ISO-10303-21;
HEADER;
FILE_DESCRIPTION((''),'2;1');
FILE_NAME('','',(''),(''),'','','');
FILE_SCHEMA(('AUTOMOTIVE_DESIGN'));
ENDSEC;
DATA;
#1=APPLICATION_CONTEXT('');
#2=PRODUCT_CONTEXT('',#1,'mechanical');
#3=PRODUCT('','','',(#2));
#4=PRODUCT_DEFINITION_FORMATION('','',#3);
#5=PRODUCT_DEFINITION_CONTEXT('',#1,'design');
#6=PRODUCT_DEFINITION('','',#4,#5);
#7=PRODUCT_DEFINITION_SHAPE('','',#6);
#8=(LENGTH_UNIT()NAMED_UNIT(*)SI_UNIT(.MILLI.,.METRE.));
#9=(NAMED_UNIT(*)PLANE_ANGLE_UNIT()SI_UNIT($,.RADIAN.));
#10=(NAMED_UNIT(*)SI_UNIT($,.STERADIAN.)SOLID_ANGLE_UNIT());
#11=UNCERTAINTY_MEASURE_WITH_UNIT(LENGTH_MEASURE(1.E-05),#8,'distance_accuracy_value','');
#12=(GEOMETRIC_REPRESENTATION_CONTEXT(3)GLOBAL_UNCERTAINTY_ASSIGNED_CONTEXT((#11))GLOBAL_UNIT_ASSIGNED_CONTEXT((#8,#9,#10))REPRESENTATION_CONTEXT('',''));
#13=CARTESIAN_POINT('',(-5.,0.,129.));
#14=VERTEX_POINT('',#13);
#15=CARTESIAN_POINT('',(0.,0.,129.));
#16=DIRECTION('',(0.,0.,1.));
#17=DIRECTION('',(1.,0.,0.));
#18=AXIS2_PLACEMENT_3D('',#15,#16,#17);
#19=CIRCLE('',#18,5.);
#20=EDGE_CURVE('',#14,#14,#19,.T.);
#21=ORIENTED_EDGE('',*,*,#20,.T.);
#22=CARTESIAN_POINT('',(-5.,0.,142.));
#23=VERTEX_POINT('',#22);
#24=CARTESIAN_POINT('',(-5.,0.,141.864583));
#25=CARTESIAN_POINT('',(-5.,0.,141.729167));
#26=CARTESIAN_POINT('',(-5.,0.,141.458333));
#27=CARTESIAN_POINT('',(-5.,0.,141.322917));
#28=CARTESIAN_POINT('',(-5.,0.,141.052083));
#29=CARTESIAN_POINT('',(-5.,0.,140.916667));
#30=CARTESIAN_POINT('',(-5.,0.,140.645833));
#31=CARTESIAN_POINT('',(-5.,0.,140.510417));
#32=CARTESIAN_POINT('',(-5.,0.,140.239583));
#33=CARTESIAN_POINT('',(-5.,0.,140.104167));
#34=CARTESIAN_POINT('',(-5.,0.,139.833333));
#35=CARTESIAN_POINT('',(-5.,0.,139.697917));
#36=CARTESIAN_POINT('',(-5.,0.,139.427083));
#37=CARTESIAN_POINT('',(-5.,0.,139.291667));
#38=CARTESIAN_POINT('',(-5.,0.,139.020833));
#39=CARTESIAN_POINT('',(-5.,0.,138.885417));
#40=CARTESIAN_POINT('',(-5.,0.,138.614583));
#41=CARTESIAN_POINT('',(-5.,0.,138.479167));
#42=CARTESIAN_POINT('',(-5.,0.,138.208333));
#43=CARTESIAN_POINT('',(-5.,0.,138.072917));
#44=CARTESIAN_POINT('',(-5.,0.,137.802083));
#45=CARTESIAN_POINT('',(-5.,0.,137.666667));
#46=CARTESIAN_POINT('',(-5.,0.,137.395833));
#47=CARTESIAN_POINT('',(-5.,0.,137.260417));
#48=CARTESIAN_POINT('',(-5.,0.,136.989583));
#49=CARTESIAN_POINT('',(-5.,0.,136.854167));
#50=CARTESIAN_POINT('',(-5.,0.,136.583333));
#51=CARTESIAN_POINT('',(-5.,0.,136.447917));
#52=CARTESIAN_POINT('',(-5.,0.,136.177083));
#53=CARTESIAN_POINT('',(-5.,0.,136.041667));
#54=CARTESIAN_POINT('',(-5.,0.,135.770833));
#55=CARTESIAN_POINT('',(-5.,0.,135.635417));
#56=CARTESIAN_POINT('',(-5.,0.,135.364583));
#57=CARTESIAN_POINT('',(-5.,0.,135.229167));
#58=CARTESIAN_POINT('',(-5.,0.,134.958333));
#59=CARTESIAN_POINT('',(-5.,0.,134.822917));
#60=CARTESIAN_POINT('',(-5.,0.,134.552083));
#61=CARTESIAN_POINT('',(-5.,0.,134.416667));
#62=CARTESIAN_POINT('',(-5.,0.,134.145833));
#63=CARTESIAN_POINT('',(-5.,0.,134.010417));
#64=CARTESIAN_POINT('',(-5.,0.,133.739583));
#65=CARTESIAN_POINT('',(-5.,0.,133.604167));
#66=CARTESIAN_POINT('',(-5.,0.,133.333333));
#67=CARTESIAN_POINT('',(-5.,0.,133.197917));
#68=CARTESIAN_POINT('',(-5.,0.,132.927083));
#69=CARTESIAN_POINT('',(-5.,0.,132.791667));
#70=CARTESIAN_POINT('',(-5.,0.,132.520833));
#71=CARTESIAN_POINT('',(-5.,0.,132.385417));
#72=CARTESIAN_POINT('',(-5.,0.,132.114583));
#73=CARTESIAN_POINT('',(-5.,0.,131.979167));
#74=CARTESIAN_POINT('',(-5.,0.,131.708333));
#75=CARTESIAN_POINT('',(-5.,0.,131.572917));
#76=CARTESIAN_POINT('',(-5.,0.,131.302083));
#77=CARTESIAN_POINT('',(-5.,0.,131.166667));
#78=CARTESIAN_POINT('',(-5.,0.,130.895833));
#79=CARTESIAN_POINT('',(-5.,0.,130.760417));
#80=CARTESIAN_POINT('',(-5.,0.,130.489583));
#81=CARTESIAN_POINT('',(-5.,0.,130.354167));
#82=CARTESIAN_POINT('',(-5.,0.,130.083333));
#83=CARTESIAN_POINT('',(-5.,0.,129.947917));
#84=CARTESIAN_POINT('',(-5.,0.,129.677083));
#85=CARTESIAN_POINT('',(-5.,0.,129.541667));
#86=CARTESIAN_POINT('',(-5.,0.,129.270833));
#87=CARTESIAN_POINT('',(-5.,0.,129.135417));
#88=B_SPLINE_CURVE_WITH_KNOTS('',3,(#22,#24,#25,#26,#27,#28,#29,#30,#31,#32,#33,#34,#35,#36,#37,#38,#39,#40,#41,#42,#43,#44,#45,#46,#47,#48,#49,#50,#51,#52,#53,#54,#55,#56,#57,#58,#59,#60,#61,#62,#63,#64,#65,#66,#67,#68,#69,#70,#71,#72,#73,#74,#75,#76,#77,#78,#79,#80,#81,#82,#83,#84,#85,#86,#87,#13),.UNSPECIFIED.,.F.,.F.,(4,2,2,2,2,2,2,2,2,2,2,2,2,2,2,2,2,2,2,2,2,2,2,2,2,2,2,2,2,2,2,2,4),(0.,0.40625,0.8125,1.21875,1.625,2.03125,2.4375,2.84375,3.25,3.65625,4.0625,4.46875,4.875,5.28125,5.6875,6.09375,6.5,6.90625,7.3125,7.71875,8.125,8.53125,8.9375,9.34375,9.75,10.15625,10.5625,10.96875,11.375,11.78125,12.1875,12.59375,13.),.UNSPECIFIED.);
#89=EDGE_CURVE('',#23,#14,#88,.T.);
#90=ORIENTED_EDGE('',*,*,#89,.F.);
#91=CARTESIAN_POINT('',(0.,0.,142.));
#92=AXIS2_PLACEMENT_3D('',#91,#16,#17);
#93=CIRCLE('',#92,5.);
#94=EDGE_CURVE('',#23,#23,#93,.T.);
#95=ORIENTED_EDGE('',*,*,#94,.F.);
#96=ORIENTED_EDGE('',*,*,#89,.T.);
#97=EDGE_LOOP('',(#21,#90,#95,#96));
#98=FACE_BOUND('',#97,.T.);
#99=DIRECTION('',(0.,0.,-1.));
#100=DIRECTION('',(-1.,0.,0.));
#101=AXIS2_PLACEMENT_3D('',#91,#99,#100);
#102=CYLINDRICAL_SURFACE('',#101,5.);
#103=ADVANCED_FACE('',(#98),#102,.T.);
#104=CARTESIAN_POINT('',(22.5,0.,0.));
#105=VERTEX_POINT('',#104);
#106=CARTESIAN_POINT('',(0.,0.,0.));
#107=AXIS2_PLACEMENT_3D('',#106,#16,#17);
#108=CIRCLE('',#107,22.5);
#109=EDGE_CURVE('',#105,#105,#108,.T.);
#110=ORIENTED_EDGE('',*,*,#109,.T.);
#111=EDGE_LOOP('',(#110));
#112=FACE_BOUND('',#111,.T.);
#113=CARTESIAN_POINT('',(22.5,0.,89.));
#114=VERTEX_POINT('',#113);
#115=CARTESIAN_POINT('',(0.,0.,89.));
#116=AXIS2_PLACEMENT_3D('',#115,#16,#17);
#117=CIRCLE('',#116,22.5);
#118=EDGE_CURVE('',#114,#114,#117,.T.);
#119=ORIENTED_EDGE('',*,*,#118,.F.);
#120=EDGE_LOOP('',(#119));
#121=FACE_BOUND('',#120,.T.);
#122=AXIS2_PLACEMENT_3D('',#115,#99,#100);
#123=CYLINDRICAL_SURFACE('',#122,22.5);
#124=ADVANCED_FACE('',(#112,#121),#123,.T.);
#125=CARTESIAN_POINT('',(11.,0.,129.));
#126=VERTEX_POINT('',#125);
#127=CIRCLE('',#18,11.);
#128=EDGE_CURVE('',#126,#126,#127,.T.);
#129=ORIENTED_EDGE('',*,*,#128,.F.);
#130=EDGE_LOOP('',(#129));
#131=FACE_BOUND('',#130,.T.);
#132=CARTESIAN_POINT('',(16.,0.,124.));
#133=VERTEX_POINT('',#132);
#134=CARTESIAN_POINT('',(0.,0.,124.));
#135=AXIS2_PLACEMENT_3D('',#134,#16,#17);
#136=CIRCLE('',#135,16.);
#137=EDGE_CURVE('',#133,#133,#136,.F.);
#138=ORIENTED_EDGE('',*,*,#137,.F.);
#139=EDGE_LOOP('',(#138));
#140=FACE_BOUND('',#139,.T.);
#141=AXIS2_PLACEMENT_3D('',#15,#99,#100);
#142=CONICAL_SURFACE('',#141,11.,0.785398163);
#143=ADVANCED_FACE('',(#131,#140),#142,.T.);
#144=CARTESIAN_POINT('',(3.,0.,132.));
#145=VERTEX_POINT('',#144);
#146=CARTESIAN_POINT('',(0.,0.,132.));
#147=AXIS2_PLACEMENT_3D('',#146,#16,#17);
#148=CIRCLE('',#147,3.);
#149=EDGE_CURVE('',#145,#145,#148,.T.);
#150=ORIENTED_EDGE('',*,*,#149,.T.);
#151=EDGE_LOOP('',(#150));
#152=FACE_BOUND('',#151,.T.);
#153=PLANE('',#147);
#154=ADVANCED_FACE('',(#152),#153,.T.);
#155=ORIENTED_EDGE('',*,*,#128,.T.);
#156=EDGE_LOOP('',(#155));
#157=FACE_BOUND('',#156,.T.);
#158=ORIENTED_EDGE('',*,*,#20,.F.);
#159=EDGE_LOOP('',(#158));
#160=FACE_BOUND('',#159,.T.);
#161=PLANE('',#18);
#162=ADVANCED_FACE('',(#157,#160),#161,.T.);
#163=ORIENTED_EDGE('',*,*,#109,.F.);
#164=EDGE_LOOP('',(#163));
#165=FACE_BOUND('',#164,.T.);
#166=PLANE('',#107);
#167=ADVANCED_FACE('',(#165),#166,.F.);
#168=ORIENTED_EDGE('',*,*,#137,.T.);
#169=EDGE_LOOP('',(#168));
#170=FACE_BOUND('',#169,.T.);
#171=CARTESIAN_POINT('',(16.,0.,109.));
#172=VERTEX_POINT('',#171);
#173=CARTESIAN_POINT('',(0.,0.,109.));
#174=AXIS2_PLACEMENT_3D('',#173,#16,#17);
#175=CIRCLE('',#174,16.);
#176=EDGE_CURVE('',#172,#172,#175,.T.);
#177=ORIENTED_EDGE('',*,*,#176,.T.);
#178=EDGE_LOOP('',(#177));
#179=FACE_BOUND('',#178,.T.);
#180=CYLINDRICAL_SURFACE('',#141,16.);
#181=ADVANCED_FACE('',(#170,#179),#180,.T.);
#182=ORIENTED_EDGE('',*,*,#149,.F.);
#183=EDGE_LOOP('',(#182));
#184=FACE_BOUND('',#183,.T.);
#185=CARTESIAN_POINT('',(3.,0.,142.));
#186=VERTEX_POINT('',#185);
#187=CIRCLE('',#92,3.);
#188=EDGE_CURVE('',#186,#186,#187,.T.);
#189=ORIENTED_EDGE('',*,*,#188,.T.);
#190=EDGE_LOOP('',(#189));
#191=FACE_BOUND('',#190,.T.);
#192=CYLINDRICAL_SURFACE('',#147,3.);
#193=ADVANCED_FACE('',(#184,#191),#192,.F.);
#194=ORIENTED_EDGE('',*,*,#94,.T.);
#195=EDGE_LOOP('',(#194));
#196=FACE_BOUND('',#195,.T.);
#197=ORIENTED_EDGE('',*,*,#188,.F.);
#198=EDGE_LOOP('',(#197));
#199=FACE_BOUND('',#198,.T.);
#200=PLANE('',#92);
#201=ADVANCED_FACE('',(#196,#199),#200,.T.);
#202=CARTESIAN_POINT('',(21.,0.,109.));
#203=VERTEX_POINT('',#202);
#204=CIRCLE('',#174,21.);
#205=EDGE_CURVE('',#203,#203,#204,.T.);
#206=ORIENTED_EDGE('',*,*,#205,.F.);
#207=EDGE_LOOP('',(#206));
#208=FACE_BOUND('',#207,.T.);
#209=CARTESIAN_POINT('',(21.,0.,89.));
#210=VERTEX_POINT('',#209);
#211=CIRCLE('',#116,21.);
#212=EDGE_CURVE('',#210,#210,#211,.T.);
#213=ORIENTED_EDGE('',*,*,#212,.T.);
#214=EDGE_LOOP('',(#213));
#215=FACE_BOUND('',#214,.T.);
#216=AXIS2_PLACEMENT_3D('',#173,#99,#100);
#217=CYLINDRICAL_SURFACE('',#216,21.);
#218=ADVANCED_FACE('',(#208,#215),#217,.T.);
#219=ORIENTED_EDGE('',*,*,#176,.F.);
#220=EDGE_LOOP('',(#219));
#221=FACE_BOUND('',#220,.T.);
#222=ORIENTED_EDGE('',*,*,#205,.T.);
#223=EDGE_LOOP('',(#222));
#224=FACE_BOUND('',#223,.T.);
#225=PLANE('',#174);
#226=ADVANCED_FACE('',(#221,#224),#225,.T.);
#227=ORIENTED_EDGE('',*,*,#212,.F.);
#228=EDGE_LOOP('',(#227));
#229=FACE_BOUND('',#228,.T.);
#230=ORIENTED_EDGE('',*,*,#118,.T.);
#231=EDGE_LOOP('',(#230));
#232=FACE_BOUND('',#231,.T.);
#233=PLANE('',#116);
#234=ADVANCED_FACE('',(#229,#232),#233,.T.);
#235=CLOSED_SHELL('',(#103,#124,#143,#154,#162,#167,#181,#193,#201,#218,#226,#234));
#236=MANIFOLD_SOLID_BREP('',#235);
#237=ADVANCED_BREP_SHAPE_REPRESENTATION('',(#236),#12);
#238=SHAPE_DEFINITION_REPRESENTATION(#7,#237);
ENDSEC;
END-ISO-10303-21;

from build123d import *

# Parameters (mm, degrees)
SKETCH1_R           = 22.5
BOSS_EXTRUDE1_DEPTH = 89
SKETCH2_R           = 21
BOSS_EXTRUDE2_DEPTH = 20
SKETCH3_R           = 16
BOSS_EXTRUDE3_DEPTH = 20
CHAMFER1_SIZE       = 5
SKETCH4_R           = 5
BOSS_EXTRUDE4_DEPTH = 13
SKETCH5_R           = 3
CUT_EXTRUDE1_DEPTH  = 10


with BuildPart() as part:
    # Sketch1 → Boss-Extrude1 (new body)
    with BuildSketch(Plane.XY):
        Circle(SKETCH1_R)
    extrude(amount=BOSS_EXTRUDE1_DEPTH)

    # Sketch2 → Boss-Extrude2 (add)
    with BuildSketch(Plane.XY.offset(89)):
        Circle(SKETCH2_R)
    extrude(amount=BOSS_EXTRUDE2_DEPTH)

    # Sketch3 → Boss-Extrude3 (add)
    with BuildSketch(Plane.XY.offset(109)):
        Circle(SKETCH3_R)
    extrude(amount=BOSS_EXTRUDE3_DEPTH)

    # Chamfer1
    chamfer1_edges = [part.edges().sort_by_distance(p)[0] for p in [
        (-16, 0, 129),
    ]]
    chamfer(chamfer1_edges, length=CHAMFER1_SIZE)

    # Sketch4 → Boss-Extrude4 (add)
    with BuildSketch(Plane.XY.offset(129)):
        with Locations(Location((0, 0, 0), (0, 0, 180))):
            Circle(SKETCH4_R)
    extrude(amount=BOSS_EXTRUDE4_DEPTH)

    # Sketch5 → Cut-Extrude1 (cut)
    with BuildSketch(Plane.XY.offset(142)):
        Circle(SKETCH5_R)
    extrude(amount=-CUT_EXTRUDE1_DEPTH, mode=Mode.SUBTRACT)


solid = part.part
